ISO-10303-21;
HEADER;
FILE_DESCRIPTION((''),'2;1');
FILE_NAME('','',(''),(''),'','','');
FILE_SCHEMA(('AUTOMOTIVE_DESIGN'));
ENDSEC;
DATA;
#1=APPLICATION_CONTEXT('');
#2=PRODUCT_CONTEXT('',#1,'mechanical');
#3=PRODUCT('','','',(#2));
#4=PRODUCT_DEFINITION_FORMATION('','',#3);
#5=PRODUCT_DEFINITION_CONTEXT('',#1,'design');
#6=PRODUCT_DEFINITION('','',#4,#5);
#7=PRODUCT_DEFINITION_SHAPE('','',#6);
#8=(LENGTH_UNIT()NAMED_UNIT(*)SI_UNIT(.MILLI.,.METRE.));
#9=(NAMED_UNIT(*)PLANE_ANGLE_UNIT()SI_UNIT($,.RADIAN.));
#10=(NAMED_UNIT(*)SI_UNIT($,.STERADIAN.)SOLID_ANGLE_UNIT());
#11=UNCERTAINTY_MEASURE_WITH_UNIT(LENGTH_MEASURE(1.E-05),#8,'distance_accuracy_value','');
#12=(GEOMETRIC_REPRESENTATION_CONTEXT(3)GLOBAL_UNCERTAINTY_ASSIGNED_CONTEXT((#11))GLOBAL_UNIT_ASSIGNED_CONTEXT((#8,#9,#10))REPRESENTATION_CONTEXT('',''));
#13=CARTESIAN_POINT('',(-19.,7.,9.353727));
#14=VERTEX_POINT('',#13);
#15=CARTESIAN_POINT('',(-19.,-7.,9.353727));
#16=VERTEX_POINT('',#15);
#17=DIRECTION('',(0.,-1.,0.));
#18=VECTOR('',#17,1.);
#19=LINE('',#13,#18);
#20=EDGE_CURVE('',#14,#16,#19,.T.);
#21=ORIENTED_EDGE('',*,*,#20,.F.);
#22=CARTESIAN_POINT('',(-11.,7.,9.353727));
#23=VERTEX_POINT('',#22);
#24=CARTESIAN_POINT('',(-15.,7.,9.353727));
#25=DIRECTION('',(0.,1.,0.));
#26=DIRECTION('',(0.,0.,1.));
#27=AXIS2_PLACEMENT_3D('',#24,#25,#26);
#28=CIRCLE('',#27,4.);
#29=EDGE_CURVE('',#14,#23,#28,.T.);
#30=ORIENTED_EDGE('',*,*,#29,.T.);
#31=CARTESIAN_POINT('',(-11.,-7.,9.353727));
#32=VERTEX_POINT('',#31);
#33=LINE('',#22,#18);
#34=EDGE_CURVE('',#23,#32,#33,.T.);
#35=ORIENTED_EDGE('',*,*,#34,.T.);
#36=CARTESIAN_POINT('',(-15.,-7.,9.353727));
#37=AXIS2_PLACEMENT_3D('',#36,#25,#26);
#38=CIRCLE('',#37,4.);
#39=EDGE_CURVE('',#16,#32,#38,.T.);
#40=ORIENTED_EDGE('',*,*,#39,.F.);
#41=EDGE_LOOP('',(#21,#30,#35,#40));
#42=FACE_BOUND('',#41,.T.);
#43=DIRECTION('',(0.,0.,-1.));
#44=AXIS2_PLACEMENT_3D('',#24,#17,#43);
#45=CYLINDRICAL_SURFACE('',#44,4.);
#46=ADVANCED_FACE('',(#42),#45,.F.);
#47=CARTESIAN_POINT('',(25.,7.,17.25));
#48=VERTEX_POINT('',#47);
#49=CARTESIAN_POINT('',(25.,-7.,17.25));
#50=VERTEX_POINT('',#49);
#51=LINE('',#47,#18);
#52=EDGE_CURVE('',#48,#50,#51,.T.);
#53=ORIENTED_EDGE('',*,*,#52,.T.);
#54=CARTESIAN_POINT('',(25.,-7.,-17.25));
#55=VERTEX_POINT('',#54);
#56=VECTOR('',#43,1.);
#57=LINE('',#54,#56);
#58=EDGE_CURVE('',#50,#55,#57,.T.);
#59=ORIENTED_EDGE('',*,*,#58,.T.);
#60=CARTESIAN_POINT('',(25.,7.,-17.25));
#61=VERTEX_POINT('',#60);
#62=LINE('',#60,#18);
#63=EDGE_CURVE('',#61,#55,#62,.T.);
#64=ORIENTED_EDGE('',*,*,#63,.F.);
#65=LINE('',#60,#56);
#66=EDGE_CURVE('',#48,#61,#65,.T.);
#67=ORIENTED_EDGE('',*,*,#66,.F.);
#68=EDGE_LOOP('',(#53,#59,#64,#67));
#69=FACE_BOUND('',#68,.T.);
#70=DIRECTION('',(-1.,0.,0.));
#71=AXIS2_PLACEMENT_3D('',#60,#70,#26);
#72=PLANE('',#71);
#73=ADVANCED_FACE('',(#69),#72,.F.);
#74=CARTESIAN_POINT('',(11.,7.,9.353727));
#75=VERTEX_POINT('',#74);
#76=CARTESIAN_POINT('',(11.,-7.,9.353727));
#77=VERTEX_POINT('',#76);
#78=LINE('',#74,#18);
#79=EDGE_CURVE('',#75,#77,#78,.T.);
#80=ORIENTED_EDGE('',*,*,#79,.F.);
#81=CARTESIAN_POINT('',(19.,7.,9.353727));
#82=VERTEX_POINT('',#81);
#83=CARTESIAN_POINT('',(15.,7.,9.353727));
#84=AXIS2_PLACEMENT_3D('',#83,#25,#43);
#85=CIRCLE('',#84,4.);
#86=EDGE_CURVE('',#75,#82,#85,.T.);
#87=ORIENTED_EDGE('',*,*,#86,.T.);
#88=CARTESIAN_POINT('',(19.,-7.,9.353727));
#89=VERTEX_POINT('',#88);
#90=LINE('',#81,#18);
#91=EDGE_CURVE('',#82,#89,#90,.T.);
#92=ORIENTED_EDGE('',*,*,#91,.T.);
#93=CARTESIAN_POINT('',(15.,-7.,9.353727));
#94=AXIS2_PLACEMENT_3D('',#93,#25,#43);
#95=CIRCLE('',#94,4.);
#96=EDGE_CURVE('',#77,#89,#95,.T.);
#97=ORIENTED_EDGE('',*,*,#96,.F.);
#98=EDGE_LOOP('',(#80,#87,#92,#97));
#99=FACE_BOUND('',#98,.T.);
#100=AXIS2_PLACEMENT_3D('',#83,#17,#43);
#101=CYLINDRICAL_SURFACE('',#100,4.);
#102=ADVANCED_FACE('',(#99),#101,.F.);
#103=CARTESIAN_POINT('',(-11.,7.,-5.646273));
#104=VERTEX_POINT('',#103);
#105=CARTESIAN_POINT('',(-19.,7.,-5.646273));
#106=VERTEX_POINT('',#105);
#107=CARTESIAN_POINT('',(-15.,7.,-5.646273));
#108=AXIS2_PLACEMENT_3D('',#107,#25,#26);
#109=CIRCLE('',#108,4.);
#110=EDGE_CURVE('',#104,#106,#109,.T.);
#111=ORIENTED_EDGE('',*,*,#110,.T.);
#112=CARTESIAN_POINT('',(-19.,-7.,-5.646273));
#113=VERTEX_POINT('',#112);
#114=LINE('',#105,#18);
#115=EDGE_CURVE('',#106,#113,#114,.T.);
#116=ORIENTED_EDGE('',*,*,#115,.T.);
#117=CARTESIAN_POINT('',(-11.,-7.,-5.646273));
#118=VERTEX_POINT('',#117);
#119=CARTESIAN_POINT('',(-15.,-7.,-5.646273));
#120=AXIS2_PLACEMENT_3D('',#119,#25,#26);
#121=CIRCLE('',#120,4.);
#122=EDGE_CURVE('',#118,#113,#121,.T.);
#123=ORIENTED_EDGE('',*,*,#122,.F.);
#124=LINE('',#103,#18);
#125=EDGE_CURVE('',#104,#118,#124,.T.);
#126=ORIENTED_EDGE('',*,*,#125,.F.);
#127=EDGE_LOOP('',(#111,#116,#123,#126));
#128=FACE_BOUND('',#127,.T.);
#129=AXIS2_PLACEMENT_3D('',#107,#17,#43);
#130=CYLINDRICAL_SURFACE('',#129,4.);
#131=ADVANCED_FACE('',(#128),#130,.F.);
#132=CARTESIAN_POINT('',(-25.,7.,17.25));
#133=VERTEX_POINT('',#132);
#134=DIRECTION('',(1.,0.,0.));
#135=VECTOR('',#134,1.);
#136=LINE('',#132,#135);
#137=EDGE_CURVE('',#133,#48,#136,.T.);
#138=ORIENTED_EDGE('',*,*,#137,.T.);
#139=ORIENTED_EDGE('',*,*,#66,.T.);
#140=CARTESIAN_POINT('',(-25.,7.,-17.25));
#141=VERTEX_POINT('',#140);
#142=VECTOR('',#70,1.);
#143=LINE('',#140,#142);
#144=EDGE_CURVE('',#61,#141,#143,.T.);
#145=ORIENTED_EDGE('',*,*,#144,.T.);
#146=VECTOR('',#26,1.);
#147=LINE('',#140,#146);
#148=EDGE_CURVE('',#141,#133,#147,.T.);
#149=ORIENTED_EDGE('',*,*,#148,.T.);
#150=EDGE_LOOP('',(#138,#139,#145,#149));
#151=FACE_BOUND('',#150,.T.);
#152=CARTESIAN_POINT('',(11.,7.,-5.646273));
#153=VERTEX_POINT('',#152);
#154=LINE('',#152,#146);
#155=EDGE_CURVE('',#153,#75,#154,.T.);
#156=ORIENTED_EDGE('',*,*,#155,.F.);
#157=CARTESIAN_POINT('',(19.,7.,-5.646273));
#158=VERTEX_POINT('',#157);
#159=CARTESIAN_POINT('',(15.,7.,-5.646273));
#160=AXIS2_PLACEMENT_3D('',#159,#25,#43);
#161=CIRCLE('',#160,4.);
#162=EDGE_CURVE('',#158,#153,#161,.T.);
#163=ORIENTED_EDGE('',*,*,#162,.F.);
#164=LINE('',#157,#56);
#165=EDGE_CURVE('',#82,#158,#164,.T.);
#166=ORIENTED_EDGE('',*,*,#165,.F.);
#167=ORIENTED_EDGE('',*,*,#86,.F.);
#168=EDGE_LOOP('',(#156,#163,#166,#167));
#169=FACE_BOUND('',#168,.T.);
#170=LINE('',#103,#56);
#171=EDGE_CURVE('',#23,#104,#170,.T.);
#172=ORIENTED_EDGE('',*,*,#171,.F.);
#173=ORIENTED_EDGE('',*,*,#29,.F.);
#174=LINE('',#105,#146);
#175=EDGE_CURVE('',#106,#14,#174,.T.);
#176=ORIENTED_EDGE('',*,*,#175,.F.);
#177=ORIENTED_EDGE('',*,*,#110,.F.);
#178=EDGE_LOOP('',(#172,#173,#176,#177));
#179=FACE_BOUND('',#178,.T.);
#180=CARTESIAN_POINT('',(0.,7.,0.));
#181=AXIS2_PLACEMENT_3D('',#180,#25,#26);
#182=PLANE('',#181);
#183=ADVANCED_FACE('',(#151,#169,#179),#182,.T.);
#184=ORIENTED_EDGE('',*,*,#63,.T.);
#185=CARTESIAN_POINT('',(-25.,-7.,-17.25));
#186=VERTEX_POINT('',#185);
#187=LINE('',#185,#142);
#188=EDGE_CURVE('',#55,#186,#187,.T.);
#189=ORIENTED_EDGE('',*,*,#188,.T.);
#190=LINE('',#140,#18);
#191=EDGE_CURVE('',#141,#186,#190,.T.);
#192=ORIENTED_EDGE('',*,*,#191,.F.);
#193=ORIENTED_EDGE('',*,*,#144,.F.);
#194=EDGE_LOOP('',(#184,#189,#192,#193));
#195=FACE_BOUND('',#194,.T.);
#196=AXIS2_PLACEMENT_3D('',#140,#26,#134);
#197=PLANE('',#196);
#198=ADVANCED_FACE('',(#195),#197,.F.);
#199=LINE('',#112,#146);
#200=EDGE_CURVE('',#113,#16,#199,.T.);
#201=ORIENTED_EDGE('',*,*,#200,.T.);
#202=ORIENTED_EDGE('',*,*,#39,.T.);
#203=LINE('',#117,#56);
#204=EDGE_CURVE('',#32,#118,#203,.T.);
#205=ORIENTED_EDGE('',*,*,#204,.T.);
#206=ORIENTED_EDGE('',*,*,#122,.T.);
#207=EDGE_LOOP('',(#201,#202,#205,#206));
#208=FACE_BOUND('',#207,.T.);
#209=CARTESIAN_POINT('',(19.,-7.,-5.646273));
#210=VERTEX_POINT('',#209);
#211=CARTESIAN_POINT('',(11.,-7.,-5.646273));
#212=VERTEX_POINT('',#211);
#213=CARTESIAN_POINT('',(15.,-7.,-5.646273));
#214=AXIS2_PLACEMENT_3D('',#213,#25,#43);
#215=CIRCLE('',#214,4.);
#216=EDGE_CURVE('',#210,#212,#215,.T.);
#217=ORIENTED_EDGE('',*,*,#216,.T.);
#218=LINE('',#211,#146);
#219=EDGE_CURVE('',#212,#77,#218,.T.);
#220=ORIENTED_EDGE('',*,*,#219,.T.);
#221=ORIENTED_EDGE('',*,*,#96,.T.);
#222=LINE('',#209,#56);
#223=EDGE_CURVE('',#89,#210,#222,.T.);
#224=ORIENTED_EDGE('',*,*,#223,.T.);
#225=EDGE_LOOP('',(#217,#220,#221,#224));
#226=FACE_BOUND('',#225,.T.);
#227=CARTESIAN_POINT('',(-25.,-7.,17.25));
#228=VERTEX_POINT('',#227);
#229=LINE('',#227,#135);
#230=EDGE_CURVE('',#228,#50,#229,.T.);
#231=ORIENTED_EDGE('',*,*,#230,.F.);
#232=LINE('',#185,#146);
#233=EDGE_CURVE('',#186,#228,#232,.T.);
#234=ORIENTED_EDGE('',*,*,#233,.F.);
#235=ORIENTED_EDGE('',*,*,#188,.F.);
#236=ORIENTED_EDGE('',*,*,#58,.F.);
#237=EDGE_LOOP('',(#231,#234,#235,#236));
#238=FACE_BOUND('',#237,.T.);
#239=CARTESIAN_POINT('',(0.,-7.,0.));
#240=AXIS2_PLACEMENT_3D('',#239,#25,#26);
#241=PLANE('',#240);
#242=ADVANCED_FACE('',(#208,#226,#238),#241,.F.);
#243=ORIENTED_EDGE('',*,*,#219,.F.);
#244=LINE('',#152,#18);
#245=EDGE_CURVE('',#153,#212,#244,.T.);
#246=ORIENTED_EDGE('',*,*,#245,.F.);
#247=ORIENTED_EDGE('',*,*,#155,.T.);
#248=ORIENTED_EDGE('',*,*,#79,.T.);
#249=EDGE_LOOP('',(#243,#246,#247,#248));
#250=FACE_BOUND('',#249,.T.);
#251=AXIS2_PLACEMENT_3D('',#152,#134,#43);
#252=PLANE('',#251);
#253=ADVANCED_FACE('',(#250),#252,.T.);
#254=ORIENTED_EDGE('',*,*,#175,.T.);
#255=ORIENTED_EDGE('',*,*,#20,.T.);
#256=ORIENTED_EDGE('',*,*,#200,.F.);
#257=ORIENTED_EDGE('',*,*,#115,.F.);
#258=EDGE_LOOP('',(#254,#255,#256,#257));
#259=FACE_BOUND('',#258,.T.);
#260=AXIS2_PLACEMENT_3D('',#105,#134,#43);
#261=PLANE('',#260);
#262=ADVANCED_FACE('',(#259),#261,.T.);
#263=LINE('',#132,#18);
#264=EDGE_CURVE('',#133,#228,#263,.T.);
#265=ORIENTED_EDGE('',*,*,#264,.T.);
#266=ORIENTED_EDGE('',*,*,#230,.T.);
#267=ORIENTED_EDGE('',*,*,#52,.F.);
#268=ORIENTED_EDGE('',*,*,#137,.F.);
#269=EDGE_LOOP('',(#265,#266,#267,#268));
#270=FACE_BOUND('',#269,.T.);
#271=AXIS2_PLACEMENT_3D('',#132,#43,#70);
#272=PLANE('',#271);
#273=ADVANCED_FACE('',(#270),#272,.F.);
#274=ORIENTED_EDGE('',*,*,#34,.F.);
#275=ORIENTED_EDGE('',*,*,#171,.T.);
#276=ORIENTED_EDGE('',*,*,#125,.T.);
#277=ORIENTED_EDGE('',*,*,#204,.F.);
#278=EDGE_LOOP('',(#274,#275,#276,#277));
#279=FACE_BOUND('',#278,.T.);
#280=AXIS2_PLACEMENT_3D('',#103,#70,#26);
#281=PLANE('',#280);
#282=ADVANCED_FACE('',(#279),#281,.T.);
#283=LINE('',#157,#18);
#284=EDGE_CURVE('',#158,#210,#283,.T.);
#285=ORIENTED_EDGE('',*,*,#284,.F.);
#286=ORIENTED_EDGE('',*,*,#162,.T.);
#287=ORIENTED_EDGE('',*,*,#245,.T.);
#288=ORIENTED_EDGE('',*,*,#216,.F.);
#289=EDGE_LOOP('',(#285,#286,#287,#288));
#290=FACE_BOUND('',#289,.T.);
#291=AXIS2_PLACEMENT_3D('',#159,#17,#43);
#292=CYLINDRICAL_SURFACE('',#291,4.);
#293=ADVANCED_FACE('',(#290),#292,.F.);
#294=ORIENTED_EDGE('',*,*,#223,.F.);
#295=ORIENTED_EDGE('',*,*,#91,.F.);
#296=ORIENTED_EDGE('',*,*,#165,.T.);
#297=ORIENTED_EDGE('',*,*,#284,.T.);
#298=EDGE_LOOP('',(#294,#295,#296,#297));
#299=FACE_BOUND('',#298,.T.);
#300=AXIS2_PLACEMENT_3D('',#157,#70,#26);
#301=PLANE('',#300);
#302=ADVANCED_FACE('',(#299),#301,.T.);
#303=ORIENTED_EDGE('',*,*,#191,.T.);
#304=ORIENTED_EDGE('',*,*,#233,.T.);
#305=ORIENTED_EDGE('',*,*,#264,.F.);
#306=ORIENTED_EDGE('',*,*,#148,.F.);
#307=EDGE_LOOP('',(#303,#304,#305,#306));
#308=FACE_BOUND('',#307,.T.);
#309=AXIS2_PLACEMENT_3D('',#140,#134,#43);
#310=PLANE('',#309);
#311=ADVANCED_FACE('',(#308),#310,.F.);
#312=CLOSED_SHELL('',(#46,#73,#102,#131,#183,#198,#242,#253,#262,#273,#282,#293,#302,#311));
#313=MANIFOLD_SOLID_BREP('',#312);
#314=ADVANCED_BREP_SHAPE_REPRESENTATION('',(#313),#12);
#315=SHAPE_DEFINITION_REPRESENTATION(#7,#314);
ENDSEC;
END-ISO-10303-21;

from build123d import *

# Parameters (mm, degrees)
SKETCH1_W           = 50
SKETCH1_H           = 34.5
BOSS_EXTRUDE1_DEPTH = 7


with BuildPart() as part:
    # Sketch1 → Boss-Extrude1 (new, symmetric)
    with BuildSketch(Plane(origin=(0, 0, 0), x_dir=(1, 0, 0), z_dir=(0, 1, 0))):
        Rectangle(SKETCH1_W, SKETCH1_H)
        with BuildLine():
            Line((-11, 5.646273024), (-11, -9.353726976))
            ThreePointArc((-11, -9.353726976), (-15, -13.353726976), (-19, -9.353726976))
            Line((-19, -9.353726976), (-19, 5.646273024))
            ThreePointArc((-19, 5.646273024), (-15, 9.646273024), (-11, 5.646273024))
        make_face(mode=Mode.SUBTRACT)
        with BuildLine():
            Line((11, 5.646273024), (11, -9.353726976))
            ThreePointArc((11, -9.353726976), (15, -13.353726976), (19, -9.353726976))
            Line((19, -9.353726976), (19, 5.646273024))
            ThreePointArc((19, 5.646273024), (15, 9.646273024), (11, 5.646273024))
        make_face(mode=Mode.SUBTRACT)
    extrude(amount=BOSS_EXTRUDE1_DEPTH, both=True)


solid = part.part
